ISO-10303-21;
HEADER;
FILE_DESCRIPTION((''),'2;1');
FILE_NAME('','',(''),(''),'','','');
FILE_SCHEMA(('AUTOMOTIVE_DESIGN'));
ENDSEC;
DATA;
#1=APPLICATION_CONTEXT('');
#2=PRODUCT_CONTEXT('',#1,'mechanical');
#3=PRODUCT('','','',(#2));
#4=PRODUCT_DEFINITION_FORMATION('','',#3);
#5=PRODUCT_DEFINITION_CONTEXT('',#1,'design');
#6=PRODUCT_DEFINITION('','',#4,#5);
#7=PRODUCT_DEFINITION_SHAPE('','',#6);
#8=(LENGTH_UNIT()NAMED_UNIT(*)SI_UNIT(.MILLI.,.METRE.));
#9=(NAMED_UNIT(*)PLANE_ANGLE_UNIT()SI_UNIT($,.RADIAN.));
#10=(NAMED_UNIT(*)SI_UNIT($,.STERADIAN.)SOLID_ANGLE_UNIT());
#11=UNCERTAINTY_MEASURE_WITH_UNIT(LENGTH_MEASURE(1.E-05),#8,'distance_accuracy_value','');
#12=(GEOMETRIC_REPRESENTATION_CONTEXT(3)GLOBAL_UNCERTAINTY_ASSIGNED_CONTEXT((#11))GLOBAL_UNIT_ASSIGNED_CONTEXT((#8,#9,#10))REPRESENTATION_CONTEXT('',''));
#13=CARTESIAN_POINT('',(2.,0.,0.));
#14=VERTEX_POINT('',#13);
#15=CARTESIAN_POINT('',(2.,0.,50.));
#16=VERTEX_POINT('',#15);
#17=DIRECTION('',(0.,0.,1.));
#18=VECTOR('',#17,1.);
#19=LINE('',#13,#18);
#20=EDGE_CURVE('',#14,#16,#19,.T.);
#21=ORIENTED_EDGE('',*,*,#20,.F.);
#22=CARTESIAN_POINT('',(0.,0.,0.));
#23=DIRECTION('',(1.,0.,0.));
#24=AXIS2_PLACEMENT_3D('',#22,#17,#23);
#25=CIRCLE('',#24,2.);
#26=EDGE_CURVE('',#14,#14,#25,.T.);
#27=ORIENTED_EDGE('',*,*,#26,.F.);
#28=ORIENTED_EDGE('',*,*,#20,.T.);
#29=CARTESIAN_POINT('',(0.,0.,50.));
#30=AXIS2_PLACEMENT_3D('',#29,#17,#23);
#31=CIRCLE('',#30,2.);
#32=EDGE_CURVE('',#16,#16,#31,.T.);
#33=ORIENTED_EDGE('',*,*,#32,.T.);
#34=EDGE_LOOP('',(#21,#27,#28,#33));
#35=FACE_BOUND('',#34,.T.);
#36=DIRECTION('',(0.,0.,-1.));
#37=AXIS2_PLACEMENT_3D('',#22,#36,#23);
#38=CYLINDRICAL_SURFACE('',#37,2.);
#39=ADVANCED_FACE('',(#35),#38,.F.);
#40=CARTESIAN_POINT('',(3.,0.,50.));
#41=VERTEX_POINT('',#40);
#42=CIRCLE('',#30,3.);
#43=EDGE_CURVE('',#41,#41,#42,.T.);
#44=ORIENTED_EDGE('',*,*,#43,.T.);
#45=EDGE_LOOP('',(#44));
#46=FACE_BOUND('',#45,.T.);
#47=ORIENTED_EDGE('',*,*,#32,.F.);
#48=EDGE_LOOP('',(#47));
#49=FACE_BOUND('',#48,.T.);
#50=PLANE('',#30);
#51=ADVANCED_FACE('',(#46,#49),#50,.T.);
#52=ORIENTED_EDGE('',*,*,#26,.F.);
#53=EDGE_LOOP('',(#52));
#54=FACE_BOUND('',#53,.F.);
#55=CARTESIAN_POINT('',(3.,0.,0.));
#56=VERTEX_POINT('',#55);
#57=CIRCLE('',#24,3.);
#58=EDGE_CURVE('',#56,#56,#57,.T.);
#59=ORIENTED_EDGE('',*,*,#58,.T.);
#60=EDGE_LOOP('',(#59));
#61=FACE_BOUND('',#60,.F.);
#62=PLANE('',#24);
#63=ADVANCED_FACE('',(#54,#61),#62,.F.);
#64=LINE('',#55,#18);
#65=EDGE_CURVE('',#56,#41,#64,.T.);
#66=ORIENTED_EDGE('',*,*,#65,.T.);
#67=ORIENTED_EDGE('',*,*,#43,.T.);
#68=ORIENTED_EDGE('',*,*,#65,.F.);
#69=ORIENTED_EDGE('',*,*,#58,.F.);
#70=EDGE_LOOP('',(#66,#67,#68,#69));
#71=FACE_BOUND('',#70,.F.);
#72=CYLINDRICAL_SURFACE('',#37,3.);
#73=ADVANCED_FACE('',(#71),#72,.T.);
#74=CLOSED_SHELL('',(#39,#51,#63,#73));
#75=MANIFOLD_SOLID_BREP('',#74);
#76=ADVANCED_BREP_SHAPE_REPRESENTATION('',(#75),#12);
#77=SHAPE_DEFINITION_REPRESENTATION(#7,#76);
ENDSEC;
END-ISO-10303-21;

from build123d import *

# Parameters (mm, degrees)
SKETCH1_R           = 3
SKETCH1_R_2         = 2
BOSS_EXTRUDE1_DEPTH = 50


with BuildPart() as part:
    # Sketch1 → Boss-Extrude1 (new body)
    with BuildSketch(Plane.XY):
        Circle(SKETCH1_R)
        Circle(SKETCH1_R_2, mode=Mode.SUBTRACT)
    extrude(amount=BOSS_EXTRUDE1_DEPTH)


solid = part.part
